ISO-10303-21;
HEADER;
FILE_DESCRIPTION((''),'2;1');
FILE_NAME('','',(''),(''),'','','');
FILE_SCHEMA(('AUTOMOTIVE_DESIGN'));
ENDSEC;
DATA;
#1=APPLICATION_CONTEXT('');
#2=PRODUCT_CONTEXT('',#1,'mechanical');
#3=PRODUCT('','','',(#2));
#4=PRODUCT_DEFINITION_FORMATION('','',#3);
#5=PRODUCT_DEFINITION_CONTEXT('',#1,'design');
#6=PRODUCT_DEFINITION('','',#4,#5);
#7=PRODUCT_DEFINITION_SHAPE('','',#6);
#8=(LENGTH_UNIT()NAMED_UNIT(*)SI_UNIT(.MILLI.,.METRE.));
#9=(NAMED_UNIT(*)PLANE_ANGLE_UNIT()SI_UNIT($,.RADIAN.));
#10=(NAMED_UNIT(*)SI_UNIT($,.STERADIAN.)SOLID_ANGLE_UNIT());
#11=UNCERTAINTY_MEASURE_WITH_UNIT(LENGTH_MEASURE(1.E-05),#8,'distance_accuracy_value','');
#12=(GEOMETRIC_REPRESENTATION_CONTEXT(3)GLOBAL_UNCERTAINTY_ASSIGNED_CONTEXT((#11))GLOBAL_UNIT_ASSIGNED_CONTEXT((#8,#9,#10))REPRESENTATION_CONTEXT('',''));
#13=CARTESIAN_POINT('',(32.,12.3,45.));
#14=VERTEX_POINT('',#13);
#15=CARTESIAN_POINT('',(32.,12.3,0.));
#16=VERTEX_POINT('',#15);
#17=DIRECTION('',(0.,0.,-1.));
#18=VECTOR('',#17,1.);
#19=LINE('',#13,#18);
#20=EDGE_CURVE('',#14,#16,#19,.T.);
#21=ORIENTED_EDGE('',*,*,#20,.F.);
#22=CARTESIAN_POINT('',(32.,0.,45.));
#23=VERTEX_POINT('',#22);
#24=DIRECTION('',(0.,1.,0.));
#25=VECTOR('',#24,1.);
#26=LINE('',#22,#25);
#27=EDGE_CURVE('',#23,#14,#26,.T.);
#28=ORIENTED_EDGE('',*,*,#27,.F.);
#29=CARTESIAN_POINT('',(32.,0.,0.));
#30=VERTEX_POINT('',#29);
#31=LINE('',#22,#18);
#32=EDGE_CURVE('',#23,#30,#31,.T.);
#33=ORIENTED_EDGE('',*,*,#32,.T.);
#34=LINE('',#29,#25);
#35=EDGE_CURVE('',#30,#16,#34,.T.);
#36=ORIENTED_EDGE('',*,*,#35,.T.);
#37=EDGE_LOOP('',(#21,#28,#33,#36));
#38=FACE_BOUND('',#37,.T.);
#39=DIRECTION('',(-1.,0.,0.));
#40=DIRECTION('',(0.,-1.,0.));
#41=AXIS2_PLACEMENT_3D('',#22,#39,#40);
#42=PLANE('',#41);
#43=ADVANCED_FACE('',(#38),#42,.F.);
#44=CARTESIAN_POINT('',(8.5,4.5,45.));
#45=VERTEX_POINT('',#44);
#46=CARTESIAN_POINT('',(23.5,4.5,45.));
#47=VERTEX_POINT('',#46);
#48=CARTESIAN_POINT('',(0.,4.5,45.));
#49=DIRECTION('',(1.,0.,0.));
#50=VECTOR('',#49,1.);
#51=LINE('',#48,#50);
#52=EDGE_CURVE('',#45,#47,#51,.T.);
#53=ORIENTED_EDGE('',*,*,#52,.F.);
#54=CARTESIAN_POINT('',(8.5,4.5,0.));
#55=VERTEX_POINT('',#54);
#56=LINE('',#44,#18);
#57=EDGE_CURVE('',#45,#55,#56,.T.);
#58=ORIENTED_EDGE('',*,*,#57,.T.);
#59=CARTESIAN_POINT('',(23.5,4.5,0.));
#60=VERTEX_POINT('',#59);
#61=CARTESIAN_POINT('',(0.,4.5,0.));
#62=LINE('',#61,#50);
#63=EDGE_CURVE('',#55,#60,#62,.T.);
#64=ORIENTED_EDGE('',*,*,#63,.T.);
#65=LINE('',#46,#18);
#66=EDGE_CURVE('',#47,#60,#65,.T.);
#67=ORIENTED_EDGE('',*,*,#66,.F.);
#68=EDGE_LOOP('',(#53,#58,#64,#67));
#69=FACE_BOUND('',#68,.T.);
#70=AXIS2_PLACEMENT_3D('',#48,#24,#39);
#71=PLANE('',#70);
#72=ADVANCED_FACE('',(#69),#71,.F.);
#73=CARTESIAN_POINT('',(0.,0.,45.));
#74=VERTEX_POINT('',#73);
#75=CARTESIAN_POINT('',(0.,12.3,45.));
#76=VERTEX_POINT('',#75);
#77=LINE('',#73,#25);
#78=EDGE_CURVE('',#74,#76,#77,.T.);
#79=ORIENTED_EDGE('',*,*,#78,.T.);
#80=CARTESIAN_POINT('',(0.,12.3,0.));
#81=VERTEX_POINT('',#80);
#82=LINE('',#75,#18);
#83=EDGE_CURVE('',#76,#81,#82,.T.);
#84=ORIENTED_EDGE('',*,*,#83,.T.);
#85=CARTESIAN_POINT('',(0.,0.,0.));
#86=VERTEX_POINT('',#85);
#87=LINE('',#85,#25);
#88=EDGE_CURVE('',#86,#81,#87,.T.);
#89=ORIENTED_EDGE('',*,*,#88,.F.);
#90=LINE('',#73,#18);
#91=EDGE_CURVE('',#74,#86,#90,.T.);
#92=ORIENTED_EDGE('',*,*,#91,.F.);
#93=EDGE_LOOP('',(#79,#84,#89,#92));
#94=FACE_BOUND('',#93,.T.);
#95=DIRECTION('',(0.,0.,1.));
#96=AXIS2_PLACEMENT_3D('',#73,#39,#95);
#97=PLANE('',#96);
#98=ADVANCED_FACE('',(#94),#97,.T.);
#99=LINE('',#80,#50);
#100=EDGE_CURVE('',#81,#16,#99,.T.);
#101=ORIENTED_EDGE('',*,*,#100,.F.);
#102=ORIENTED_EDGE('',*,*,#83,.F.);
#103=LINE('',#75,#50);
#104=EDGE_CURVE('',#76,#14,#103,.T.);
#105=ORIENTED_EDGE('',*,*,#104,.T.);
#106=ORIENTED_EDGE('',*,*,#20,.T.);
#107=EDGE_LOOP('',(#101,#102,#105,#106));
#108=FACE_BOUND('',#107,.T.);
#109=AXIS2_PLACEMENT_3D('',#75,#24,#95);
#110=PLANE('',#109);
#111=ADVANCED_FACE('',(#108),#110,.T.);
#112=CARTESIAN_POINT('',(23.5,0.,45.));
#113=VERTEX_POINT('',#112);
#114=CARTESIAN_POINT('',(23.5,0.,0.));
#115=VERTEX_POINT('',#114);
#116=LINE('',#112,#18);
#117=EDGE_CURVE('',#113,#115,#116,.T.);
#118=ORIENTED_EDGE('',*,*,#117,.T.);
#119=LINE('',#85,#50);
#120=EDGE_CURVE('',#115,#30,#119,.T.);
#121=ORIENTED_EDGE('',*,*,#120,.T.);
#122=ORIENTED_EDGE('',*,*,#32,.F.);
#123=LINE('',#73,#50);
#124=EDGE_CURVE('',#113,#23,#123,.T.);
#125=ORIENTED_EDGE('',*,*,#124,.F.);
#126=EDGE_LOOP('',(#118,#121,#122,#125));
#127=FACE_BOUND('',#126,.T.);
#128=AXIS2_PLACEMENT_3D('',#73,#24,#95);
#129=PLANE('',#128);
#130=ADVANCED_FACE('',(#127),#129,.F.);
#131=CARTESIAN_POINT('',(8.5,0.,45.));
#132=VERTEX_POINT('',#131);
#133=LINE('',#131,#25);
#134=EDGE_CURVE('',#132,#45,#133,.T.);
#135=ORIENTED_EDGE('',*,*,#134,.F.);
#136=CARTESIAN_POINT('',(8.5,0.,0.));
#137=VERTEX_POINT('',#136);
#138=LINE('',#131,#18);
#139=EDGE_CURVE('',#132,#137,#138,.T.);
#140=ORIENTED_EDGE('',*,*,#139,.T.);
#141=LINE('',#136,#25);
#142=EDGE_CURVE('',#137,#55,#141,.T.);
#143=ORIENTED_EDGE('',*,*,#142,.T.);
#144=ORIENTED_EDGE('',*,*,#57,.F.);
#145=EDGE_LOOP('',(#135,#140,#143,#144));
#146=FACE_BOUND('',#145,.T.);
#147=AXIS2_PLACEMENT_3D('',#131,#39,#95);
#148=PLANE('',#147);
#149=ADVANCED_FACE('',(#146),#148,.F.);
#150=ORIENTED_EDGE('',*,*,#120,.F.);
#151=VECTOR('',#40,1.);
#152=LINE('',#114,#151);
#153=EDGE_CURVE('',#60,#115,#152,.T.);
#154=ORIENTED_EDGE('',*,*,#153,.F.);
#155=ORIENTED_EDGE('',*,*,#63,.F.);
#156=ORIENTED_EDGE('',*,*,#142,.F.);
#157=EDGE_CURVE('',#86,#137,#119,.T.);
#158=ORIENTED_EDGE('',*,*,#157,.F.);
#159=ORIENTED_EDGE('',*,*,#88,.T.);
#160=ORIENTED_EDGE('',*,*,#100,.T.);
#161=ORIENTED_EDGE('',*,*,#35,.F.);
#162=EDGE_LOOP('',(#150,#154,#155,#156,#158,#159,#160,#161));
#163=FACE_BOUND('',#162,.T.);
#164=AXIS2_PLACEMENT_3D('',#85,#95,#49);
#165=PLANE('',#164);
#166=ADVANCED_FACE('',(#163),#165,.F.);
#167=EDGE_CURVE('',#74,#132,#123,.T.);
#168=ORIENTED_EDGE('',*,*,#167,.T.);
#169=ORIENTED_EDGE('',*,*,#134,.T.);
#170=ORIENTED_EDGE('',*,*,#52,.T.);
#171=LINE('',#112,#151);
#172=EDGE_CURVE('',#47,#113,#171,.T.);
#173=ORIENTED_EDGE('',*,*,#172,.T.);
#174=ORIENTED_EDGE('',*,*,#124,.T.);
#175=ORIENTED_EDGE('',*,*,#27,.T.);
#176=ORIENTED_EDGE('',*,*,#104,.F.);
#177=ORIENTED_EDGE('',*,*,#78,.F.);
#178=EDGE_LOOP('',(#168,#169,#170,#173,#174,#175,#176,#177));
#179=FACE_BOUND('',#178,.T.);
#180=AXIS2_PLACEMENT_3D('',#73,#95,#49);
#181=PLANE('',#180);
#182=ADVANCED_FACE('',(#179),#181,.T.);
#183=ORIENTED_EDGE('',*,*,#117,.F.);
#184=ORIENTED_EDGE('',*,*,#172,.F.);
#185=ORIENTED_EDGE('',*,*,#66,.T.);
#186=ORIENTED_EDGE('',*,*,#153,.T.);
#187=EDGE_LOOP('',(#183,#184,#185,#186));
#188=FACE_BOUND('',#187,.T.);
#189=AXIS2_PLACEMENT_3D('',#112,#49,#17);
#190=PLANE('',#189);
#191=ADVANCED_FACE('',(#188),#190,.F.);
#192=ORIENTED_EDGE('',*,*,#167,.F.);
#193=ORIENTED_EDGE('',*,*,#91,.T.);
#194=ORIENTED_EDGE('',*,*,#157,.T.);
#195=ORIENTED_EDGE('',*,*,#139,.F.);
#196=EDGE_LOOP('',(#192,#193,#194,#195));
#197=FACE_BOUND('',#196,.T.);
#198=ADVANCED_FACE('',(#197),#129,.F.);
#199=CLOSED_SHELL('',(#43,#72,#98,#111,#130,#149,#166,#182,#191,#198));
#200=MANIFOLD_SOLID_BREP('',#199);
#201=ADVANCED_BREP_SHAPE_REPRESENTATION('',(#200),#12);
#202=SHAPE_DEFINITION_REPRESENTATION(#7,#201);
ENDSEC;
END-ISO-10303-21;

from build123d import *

# Parameters (mm, degrees)
EXTRUDE_2_DEPTH = 45


with BuildPart() as part:
    # 草图1 → 凸台-拉伸2 (new body)
    with BuildSketch(Plane.XY):
        Polygon((0, 12.3), (0, 0), (8.5, 0), (8.5, 4.5), (23.5, 4.5), (23.5, 0), (32, 0), (32, 12.3), align=None)
    extrude(amount=EXTRUDE_2_DEPTH)


solid = part.part
